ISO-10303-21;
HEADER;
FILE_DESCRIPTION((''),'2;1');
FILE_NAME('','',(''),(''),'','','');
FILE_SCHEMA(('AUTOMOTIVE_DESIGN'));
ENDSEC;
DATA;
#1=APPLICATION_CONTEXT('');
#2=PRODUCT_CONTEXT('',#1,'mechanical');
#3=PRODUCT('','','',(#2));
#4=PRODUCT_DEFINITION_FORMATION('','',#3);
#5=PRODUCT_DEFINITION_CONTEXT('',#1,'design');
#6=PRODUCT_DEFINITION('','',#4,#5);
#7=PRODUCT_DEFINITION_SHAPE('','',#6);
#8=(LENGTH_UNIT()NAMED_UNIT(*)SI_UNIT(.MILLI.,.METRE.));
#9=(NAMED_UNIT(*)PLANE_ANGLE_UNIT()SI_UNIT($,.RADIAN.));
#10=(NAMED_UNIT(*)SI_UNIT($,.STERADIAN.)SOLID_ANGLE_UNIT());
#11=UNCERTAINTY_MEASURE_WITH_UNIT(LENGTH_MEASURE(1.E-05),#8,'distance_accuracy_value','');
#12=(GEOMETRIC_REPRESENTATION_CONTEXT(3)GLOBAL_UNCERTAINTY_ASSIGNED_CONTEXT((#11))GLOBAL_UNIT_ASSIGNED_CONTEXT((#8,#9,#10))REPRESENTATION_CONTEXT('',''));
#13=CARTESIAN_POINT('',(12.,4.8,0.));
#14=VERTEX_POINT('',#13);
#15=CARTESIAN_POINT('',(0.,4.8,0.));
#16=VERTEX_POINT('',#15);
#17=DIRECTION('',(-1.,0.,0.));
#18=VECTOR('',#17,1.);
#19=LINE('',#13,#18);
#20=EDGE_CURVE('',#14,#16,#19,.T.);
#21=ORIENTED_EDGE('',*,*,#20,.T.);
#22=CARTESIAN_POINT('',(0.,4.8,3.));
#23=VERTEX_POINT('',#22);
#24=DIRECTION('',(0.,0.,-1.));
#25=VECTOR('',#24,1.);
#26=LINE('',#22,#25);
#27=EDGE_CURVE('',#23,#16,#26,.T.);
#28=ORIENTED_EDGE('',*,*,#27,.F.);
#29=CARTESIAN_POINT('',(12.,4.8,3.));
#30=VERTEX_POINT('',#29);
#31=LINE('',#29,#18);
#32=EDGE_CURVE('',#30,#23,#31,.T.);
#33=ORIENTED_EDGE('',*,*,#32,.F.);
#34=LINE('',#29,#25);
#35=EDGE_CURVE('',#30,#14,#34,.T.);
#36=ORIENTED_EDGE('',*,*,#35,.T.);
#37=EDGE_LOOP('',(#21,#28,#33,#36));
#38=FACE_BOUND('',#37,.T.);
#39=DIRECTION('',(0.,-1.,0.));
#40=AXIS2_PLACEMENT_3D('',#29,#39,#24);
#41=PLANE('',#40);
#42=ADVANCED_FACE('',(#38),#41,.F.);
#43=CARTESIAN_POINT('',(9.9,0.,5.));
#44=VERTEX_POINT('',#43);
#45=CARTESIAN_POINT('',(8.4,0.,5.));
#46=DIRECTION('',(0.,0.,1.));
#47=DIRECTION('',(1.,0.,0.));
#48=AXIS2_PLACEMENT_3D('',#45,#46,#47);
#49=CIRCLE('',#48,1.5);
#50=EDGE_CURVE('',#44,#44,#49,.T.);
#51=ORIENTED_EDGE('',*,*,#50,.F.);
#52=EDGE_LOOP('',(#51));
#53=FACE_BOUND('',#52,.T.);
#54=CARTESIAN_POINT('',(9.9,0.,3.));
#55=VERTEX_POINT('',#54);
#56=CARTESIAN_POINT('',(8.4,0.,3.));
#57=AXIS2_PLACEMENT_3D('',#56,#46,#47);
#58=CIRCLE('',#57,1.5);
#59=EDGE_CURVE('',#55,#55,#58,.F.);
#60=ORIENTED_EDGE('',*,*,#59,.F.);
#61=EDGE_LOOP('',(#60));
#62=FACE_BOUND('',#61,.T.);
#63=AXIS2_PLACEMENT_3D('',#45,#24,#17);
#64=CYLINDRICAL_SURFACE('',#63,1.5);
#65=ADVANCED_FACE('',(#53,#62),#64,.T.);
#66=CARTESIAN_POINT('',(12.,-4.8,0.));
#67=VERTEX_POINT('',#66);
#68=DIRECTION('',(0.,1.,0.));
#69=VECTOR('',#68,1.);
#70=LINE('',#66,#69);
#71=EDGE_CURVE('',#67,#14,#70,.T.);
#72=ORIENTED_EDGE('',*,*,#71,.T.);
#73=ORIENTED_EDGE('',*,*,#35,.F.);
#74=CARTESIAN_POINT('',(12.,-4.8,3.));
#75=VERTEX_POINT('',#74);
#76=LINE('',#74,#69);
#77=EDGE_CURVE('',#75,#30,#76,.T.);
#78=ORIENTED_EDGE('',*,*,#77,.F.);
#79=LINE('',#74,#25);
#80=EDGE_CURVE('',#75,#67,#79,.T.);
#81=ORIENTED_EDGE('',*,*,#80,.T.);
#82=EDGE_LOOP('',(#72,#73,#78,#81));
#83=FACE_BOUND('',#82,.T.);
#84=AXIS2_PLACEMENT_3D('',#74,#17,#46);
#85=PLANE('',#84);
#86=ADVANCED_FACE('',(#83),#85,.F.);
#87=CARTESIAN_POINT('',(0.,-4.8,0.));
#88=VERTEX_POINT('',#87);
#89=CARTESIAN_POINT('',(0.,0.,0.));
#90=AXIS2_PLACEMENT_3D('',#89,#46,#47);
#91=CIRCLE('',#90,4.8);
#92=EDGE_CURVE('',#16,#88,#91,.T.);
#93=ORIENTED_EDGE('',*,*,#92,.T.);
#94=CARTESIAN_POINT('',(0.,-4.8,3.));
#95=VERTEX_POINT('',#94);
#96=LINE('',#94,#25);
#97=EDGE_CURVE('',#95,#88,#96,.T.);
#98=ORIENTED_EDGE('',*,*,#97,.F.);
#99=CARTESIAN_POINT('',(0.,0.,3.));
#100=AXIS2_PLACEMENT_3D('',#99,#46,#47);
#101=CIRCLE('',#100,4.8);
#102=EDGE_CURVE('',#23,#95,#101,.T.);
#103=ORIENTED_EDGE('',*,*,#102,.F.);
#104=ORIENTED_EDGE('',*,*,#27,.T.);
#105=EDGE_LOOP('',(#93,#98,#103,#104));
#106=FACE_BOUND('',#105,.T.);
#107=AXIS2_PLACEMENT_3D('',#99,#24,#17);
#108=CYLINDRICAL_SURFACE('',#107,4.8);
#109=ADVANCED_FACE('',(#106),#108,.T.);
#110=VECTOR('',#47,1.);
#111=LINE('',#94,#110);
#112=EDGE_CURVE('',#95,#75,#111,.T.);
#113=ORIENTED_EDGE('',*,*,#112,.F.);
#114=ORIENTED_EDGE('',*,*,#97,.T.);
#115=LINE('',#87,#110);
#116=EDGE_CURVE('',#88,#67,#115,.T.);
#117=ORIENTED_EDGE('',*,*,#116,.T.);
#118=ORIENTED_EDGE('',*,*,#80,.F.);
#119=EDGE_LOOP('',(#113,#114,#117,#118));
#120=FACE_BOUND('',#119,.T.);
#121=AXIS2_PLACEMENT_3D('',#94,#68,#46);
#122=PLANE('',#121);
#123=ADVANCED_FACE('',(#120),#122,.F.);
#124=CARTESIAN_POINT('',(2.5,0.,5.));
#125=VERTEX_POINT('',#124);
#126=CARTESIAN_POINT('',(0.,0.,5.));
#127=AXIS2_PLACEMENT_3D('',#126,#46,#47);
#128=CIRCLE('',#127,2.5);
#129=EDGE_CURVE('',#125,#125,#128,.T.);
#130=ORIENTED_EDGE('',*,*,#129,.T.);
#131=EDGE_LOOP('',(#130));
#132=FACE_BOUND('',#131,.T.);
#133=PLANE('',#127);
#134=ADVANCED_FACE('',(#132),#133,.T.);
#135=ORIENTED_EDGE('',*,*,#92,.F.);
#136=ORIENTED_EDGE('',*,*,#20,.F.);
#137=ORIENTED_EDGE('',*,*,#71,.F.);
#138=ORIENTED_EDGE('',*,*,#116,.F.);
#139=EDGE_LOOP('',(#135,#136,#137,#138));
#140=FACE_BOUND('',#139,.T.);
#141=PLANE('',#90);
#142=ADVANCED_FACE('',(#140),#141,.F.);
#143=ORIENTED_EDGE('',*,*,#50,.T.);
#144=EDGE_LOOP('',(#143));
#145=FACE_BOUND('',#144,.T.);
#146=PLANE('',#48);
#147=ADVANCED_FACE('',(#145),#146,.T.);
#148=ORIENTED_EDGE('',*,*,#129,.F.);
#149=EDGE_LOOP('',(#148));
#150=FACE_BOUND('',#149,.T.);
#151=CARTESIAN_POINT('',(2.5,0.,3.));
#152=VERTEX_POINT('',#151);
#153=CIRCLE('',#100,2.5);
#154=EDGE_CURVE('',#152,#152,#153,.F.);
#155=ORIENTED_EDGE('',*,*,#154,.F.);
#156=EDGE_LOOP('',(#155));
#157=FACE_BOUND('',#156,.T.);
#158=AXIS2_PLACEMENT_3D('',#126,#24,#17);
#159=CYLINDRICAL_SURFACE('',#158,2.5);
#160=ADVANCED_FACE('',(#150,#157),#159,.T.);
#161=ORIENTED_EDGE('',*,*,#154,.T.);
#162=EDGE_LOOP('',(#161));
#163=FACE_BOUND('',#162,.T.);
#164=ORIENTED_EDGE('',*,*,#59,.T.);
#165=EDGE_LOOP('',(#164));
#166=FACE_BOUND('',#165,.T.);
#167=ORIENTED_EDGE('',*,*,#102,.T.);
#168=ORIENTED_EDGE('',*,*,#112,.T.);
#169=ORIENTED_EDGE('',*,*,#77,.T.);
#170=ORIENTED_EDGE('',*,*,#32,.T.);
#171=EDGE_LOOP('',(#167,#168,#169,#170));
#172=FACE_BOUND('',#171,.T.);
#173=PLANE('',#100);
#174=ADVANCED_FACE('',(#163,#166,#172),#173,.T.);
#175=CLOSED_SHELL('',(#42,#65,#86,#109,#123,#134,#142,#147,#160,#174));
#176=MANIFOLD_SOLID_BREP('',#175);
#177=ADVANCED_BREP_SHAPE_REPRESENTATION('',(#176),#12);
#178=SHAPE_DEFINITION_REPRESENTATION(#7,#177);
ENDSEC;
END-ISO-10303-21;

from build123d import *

# Parameters (mm, degrees)
BOSS_EXTRUDE1_DEPTH = 3
SKETCH2_R           = 2.5
SKETCH2_R_2         = 1.5
BOSS_EXTRUDE2_DEPTH = 5


with BuildPart() as part:
    # Sketch3 → Boss-Extrude1 (new body)
    with BuildSketch(Plane.XY):
        with BuildLine():
            Line((0, -4.8), (12, -4.8))
            Line((12, -4.8), (12, 4.8))
            Line((12, 4.8), (0, 4.8))
            ThreePointArc((0, 4.8), (-4.8, 0), (0, -4.8))
        make_face()
    extrude(amount=BOSS_EXTRUDE1_DEPTH)

    # Sketch2 → Boss-Extrude2 (add)
    with BuildSketch(Plane.XY):
        Circle(SKETCH2_R)
        with Locations((8.4, 0)):
            Circle(SKETCH2_R_2)
    extrude(amount=BOSS_EXTRUDE2_DEPTH)


solid = part.part
